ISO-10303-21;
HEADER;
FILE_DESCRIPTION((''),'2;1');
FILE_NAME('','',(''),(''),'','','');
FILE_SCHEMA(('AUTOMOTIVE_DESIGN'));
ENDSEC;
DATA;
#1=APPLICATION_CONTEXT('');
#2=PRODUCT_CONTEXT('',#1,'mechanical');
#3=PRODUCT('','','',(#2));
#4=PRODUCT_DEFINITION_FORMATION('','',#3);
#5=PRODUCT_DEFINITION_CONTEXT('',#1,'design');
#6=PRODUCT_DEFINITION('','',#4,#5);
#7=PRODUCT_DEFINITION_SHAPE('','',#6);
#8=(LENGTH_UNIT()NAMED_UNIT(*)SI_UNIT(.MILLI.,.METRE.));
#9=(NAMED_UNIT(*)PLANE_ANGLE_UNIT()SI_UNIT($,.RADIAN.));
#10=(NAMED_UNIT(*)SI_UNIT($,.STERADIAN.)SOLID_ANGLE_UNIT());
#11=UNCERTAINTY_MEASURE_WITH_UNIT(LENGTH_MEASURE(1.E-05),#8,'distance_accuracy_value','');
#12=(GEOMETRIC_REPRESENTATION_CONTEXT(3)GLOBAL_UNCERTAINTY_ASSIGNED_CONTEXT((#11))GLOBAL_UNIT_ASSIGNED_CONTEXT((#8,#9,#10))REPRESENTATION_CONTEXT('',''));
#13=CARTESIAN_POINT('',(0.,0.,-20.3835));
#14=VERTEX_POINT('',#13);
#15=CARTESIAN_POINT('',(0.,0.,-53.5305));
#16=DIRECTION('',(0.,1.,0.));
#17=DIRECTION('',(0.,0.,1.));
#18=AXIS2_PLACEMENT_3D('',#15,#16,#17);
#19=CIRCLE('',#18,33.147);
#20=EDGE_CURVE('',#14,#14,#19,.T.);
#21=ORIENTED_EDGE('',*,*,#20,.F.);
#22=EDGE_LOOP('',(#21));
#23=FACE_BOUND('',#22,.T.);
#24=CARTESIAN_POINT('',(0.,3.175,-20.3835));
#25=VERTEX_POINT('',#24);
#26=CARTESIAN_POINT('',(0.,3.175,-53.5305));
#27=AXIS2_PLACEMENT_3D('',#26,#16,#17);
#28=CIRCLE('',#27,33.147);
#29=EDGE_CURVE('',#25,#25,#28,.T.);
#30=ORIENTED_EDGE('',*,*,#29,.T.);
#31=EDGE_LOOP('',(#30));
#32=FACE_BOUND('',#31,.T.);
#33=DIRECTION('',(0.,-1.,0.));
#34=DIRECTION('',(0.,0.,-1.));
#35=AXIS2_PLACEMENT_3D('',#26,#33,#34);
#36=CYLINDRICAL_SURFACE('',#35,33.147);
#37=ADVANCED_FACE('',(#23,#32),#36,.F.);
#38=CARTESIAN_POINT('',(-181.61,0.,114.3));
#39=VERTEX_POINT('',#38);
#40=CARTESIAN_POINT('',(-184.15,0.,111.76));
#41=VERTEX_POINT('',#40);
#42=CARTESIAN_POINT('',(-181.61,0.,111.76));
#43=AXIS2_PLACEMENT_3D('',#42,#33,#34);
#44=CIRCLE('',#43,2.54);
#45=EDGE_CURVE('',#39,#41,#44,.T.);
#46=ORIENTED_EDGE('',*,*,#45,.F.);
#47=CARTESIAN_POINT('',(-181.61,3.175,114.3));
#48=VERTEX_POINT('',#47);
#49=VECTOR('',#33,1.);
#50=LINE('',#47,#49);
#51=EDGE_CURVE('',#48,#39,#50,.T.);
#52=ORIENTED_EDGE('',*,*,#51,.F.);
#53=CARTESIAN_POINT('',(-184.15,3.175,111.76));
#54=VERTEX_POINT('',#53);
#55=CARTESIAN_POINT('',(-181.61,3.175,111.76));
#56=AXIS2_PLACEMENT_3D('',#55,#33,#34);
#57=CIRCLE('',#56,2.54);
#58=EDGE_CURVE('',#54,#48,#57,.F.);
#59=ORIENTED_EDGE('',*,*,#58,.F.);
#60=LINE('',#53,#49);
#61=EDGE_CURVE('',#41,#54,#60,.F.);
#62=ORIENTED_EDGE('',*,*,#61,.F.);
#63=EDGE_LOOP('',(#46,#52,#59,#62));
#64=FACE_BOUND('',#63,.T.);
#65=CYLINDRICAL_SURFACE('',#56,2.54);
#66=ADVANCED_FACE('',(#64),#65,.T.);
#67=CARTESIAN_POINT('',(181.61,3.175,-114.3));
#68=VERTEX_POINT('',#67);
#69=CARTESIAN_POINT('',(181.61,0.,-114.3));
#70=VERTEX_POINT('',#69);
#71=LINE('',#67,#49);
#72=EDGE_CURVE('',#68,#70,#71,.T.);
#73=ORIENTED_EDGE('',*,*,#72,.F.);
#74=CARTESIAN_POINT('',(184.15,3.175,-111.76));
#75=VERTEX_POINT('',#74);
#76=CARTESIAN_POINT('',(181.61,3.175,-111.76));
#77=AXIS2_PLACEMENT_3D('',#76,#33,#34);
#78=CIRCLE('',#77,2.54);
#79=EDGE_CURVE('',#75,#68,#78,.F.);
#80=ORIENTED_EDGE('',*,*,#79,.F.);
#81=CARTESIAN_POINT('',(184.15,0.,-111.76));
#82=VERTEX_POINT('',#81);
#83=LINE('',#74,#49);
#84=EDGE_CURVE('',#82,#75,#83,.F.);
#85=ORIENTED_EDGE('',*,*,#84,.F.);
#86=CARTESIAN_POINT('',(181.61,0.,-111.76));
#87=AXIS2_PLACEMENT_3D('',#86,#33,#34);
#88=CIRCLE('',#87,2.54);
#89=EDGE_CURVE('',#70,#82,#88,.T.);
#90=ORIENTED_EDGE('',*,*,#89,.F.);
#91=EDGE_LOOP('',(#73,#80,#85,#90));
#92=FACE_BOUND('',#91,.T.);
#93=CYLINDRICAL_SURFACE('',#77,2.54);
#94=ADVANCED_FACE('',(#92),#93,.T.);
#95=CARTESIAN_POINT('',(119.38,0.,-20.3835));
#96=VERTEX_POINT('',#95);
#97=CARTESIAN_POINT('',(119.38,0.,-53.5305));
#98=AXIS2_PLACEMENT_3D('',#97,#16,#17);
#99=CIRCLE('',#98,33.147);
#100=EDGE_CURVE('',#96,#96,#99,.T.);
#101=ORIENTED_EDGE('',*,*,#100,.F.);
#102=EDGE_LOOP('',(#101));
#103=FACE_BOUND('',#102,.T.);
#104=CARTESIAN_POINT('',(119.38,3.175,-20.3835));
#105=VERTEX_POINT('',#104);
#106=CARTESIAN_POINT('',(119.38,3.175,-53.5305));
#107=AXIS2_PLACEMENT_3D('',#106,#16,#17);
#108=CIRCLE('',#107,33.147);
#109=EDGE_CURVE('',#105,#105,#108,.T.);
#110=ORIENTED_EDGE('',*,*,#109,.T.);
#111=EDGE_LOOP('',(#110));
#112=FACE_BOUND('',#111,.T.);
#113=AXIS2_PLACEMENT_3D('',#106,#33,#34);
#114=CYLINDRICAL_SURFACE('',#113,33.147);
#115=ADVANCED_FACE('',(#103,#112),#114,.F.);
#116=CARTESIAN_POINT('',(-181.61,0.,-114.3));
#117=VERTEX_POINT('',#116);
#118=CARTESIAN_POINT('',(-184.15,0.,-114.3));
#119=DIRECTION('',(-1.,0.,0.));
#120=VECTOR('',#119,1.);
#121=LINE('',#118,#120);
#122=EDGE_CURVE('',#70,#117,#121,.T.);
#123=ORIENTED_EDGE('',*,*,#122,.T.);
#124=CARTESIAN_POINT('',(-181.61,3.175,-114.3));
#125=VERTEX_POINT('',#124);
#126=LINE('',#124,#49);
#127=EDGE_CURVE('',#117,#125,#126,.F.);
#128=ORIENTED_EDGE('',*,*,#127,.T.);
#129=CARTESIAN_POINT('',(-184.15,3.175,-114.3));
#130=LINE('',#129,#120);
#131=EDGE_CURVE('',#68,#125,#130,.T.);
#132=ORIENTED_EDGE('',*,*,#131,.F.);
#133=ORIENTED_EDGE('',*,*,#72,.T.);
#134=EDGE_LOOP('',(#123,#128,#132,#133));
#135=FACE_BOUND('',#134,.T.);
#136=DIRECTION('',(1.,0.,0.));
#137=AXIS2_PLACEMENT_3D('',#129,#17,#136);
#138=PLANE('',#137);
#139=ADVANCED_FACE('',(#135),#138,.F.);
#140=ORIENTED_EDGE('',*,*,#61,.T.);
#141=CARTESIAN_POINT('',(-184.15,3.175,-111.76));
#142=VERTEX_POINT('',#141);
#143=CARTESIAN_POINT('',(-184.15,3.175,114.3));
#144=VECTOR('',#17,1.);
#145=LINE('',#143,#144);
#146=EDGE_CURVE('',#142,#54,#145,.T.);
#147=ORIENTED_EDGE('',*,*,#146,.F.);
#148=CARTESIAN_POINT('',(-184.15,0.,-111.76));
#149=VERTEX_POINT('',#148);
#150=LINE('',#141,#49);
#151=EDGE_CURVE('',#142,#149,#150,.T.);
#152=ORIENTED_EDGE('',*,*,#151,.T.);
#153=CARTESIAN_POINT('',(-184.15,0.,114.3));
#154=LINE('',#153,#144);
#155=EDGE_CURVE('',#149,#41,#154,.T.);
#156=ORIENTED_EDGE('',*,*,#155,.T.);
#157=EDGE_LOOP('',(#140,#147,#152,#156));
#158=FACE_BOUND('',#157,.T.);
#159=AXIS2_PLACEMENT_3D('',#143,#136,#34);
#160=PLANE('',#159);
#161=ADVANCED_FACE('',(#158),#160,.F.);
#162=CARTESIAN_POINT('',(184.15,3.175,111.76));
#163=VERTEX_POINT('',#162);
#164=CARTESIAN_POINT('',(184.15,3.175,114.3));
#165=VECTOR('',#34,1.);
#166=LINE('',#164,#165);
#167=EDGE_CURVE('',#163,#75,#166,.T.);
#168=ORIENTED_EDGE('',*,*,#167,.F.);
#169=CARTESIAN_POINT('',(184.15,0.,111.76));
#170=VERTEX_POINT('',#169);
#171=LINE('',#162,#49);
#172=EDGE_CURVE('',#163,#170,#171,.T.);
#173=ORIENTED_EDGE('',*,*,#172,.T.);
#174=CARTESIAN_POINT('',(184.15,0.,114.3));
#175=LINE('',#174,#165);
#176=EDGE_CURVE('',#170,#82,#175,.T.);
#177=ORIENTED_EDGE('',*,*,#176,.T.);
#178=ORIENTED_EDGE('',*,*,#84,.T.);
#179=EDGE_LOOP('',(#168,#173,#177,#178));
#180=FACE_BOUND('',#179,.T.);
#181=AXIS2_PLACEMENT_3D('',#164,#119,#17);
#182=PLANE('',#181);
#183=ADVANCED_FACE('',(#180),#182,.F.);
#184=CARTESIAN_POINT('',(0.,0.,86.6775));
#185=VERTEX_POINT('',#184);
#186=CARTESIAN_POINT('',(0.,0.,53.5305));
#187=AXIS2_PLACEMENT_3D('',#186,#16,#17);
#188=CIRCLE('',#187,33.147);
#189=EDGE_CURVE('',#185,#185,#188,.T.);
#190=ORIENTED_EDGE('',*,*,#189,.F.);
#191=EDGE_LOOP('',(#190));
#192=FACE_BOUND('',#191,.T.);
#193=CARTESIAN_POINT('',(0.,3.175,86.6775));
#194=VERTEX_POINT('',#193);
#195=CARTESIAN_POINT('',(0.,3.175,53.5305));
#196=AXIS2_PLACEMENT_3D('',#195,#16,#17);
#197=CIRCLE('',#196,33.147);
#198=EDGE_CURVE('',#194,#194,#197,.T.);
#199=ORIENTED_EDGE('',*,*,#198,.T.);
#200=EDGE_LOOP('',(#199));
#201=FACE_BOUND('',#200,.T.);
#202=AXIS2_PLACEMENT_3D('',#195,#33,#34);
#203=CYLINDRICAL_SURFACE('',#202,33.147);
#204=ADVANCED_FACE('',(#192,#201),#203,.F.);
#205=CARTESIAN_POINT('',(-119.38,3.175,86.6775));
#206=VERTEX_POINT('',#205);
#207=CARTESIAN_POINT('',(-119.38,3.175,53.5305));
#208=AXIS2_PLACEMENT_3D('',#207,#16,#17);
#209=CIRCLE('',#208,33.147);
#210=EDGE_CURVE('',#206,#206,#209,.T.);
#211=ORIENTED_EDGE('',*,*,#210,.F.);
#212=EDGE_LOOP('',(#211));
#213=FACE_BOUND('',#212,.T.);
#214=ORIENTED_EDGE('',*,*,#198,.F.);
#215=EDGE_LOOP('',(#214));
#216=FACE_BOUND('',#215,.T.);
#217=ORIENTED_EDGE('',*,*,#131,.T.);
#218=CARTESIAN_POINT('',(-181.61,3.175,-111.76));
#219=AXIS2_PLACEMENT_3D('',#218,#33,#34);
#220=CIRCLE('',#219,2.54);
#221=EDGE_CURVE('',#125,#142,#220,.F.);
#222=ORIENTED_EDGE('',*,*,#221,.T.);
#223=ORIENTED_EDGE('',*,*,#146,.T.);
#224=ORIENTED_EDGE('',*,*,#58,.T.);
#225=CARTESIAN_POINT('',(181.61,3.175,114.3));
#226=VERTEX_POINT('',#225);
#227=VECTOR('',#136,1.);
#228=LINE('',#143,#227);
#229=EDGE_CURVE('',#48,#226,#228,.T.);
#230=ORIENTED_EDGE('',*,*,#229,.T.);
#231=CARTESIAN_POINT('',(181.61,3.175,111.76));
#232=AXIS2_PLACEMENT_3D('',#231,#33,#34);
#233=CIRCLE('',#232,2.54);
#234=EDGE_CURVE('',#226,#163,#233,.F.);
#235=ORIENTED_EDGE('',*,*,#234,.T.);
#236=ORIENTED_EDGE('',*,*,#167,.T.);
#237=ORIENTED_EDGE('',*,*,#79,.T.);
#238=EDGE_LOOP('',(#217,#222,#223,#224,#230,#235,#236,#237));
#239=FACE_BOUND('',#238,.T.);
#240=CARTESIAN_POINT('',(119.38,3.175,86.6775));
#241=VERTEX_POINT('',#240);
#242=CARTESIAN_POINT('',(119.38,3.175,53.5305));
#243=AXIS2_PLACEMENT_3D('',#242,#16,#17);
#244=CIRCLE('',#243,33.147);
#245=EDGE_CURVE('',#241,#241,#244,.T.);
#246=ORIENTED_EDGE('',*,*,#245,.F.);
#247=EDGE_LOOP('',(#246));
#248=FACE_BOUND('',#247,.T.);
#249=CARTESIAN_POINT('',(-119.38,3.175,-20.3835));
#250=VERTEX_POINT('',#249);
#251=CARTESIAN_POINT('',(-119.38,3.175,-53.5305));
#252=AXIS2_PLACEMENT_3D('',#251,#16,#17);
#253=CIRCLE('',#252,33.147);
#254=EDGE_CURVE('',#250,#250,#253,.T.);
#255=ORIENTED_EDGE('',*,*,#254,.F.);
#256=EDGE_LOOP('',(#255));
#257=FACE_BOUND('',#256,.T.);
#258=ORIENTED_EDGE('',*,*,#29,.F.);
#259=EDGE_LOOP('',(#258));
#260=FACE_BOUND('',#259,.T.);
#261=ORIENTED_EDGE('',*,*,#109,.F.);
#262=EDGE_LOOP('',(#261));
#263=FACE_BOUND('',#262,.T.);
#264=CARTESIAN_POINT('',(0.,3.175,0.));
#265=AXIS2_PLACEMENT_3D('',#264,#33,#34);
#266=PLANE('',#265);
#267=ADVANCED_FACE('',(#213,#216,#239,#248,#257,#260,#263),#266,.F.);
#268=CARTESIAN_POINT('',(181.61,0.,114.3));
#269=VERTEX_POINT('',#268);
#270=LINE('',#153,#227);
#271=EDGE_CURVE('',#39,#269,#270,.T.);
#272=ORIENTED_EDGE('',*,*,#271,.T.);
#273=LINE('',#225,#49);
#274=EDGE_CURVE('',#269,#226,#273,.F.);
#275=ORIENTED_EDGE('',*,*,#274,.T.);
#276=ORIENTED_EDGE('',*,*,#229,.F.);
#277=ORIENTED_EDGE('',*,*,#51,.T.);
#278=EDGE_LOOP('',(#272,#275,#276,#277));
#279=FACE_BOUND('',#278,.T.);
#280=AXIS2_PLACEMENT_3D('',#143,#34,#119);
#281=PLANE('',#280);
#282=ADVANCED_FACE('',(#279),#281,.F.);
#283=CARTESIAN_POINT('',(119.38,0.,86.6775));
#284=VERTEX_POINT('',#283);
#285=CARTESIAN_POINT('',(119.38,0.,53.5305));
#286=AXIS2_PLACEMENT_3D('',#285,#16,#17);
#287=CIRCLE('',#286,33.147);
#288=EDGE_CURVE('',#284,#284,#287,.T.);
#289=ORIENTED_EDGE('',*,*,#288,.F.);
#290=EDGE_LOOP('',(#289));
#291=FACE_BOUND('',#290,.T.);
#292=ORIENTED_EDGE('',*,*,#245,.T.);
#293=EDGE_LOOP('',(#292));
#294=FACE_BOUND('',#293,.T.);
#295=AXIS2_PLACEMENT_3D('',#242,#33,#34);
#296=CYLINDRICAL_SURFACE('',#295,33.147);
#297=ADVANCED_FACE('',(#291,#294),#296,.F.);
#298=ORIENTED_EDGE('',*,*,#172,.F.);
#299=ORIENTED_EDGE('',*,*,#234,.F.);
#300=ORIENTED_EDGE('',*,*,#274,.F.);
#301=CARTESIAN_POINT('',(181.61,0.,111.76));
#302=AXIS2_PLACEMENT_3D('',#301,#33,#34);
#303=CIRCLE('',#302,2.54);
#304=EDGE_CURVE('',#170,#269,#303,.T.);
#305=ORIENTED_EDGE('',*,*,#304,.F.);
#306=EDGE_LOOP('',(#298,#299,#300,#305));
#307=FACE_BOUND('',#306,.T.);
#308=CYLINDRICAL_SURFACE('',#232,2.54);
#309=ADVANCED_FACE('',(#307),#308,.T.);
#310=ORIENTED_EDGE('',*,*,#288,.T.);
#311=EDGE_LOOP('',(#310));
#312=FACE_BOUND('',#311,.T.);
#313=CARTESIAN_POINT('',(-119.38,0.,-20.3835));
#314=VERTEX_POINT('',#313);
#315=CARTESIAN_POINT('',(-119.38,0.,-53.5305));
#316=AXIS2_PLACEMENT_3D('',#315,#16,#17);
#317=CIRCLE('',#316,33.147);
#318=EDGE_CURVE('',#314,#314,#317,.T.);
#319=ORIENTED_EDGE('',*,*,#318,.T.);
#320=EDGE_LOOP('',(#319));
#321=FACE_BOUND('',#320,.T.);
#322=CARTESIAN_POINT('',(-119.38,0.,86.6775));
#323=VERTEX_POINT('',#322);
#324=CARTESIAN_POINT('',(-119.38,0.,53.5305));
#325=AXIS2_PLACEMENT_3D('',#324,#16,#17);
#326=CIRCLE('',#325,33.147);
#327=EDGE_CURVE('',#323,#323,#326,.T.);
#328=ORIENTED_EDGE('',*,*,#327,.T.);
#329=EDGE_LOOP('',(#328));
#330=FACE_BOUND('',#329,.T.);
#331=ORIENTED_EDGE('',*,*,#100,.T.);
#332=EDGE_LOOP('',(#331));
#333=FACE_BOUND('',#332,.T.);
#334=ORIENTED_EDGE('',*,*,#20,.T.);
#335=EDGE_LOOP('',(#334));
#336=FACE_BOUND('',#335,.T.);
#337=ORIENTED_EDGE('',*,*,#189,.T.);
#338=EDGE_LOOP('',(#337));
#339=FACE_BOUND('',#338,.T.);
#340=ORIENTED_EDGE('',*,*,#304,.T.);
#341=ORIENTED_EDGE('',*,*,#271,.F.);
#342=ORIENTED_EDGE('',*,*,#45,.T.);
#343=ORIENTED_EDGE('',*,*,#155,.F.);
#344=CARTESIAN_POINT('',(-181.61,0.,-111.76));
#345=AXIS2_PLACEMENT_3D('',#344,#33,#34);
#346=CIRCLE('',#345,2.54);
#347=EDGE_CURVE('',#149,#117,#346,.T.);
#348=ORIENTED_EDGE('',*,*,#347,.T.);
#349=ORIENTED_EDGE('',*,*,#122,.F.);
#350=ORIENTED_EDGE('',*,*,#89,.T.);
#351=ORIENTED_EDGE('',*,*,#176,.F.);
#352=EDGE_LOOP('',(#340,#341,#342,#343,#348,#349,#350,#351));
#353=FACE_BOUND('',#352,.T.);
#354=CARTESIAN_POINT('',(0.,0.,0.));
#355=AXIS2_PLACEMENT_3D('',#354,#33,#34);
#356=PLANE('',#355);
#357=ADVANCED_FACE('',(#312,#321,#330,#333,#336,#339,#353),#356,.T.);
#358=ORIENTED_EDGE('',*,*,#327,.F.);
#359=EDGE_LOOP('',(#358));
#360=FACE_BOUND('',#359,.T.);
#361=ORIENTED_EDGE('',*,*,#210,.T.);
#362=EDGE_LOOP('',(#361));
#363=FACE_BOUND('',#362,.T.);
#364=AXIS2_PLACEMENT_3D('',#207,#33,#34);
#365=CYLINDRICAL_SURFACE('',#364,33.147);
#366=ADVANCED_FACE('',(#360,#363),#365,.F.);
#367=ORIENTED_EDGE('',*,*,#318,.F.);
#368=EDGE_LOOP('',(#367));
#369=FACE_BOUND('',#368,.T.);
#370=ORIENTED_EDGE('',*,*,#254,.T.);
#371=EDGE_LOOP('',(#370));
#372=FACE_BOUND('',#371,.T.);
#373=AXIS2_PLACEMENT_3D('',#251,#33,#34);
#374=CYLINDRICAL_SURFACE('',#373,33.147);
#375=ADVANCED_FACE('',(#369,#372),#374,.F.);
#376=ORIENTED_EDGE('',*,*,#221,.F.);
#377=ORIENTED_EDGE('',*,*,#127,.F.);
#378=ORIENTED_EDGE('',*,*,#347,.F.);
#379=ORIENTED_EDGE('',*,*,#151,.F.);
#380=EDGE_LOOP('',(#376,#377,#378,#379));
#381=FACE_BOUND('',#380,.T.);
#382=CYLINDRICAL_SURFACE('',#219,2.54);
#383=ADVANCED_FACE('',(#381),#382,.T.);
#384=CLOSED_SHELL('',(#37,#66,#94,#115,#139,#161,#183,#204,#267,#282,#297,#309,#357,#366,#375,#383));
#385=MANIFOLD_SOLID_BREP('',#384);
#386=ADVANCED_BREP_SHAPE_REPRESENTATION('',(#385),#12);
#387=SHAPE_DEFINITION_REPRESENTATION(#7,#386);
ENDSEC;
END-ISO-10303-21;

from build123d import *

# Parameters (mm, degrees)
SKETCH1_W           = 368.3
SKETCH1_H           = 228.6
SKETCH1_R           = 33.147
BOSS_EXTRUDE1_DEPTH = 3.175
FILLET1_R           = 2.54


with BuildPart() as part:
    # Sketch1 → Boss-Extrude1 (new body)
    with BuildSketch(Plane(origin=(0, 0, 0), x_dir=(1, 0, 0), z_dir=(0, 1, 0))):
        Rectangle(SKETCH1_W, SKETCH1_H)
        with Locations(Location((119.38, 53.5305, 0), (0, 0, 270))):
            Circle(SKETCH1_R, mode=Mode.SUBTRACT)
        with Locations(Location((0, 53.5305, 0), (0, 0, 270))):
            Circle(SKETCH1_R, mode=Mode.SUBTRACT)
        with Locations(Location((-119.38, 53.5305, 0), (0, 0, 270))):
            Circle(SKETCH1_R, mode=Mode.SUBTRACT)
        with Locations(Location((-119.38, -53.5305, 0), (0, 0, 270))):
            Circle(SKETCH1_R, mode=Mode.SUBTRACT)
        with Locations(Location((0, -53.5305, 0), (0, 0, 270))):
            Circle(SKETCH1_R, mode=Mode.SUBTRACT)
        with Locations(Location((119.38, -53.5305, 0), (0, 0, 270))):
            Circle(SKETCH1_R, mode=Mode.SUBTRACT)
    extrude(amount=BOSS_EXTRUDE1_DEPTH)

    # Fillet1
    fillet1_edges = [part.edges().sort_by_distance(p)[0] for p in [
        (184.15, 1.5875, 114.3),
        (-184.15, 1.5875, 114.3),
        (-184.15, 1.5875, -114.3),
        (184.15, 1.5875, -114.3),
    ]]
    fillet(fillet1_edges, radius=FILLET1_R)


solid = part.part
